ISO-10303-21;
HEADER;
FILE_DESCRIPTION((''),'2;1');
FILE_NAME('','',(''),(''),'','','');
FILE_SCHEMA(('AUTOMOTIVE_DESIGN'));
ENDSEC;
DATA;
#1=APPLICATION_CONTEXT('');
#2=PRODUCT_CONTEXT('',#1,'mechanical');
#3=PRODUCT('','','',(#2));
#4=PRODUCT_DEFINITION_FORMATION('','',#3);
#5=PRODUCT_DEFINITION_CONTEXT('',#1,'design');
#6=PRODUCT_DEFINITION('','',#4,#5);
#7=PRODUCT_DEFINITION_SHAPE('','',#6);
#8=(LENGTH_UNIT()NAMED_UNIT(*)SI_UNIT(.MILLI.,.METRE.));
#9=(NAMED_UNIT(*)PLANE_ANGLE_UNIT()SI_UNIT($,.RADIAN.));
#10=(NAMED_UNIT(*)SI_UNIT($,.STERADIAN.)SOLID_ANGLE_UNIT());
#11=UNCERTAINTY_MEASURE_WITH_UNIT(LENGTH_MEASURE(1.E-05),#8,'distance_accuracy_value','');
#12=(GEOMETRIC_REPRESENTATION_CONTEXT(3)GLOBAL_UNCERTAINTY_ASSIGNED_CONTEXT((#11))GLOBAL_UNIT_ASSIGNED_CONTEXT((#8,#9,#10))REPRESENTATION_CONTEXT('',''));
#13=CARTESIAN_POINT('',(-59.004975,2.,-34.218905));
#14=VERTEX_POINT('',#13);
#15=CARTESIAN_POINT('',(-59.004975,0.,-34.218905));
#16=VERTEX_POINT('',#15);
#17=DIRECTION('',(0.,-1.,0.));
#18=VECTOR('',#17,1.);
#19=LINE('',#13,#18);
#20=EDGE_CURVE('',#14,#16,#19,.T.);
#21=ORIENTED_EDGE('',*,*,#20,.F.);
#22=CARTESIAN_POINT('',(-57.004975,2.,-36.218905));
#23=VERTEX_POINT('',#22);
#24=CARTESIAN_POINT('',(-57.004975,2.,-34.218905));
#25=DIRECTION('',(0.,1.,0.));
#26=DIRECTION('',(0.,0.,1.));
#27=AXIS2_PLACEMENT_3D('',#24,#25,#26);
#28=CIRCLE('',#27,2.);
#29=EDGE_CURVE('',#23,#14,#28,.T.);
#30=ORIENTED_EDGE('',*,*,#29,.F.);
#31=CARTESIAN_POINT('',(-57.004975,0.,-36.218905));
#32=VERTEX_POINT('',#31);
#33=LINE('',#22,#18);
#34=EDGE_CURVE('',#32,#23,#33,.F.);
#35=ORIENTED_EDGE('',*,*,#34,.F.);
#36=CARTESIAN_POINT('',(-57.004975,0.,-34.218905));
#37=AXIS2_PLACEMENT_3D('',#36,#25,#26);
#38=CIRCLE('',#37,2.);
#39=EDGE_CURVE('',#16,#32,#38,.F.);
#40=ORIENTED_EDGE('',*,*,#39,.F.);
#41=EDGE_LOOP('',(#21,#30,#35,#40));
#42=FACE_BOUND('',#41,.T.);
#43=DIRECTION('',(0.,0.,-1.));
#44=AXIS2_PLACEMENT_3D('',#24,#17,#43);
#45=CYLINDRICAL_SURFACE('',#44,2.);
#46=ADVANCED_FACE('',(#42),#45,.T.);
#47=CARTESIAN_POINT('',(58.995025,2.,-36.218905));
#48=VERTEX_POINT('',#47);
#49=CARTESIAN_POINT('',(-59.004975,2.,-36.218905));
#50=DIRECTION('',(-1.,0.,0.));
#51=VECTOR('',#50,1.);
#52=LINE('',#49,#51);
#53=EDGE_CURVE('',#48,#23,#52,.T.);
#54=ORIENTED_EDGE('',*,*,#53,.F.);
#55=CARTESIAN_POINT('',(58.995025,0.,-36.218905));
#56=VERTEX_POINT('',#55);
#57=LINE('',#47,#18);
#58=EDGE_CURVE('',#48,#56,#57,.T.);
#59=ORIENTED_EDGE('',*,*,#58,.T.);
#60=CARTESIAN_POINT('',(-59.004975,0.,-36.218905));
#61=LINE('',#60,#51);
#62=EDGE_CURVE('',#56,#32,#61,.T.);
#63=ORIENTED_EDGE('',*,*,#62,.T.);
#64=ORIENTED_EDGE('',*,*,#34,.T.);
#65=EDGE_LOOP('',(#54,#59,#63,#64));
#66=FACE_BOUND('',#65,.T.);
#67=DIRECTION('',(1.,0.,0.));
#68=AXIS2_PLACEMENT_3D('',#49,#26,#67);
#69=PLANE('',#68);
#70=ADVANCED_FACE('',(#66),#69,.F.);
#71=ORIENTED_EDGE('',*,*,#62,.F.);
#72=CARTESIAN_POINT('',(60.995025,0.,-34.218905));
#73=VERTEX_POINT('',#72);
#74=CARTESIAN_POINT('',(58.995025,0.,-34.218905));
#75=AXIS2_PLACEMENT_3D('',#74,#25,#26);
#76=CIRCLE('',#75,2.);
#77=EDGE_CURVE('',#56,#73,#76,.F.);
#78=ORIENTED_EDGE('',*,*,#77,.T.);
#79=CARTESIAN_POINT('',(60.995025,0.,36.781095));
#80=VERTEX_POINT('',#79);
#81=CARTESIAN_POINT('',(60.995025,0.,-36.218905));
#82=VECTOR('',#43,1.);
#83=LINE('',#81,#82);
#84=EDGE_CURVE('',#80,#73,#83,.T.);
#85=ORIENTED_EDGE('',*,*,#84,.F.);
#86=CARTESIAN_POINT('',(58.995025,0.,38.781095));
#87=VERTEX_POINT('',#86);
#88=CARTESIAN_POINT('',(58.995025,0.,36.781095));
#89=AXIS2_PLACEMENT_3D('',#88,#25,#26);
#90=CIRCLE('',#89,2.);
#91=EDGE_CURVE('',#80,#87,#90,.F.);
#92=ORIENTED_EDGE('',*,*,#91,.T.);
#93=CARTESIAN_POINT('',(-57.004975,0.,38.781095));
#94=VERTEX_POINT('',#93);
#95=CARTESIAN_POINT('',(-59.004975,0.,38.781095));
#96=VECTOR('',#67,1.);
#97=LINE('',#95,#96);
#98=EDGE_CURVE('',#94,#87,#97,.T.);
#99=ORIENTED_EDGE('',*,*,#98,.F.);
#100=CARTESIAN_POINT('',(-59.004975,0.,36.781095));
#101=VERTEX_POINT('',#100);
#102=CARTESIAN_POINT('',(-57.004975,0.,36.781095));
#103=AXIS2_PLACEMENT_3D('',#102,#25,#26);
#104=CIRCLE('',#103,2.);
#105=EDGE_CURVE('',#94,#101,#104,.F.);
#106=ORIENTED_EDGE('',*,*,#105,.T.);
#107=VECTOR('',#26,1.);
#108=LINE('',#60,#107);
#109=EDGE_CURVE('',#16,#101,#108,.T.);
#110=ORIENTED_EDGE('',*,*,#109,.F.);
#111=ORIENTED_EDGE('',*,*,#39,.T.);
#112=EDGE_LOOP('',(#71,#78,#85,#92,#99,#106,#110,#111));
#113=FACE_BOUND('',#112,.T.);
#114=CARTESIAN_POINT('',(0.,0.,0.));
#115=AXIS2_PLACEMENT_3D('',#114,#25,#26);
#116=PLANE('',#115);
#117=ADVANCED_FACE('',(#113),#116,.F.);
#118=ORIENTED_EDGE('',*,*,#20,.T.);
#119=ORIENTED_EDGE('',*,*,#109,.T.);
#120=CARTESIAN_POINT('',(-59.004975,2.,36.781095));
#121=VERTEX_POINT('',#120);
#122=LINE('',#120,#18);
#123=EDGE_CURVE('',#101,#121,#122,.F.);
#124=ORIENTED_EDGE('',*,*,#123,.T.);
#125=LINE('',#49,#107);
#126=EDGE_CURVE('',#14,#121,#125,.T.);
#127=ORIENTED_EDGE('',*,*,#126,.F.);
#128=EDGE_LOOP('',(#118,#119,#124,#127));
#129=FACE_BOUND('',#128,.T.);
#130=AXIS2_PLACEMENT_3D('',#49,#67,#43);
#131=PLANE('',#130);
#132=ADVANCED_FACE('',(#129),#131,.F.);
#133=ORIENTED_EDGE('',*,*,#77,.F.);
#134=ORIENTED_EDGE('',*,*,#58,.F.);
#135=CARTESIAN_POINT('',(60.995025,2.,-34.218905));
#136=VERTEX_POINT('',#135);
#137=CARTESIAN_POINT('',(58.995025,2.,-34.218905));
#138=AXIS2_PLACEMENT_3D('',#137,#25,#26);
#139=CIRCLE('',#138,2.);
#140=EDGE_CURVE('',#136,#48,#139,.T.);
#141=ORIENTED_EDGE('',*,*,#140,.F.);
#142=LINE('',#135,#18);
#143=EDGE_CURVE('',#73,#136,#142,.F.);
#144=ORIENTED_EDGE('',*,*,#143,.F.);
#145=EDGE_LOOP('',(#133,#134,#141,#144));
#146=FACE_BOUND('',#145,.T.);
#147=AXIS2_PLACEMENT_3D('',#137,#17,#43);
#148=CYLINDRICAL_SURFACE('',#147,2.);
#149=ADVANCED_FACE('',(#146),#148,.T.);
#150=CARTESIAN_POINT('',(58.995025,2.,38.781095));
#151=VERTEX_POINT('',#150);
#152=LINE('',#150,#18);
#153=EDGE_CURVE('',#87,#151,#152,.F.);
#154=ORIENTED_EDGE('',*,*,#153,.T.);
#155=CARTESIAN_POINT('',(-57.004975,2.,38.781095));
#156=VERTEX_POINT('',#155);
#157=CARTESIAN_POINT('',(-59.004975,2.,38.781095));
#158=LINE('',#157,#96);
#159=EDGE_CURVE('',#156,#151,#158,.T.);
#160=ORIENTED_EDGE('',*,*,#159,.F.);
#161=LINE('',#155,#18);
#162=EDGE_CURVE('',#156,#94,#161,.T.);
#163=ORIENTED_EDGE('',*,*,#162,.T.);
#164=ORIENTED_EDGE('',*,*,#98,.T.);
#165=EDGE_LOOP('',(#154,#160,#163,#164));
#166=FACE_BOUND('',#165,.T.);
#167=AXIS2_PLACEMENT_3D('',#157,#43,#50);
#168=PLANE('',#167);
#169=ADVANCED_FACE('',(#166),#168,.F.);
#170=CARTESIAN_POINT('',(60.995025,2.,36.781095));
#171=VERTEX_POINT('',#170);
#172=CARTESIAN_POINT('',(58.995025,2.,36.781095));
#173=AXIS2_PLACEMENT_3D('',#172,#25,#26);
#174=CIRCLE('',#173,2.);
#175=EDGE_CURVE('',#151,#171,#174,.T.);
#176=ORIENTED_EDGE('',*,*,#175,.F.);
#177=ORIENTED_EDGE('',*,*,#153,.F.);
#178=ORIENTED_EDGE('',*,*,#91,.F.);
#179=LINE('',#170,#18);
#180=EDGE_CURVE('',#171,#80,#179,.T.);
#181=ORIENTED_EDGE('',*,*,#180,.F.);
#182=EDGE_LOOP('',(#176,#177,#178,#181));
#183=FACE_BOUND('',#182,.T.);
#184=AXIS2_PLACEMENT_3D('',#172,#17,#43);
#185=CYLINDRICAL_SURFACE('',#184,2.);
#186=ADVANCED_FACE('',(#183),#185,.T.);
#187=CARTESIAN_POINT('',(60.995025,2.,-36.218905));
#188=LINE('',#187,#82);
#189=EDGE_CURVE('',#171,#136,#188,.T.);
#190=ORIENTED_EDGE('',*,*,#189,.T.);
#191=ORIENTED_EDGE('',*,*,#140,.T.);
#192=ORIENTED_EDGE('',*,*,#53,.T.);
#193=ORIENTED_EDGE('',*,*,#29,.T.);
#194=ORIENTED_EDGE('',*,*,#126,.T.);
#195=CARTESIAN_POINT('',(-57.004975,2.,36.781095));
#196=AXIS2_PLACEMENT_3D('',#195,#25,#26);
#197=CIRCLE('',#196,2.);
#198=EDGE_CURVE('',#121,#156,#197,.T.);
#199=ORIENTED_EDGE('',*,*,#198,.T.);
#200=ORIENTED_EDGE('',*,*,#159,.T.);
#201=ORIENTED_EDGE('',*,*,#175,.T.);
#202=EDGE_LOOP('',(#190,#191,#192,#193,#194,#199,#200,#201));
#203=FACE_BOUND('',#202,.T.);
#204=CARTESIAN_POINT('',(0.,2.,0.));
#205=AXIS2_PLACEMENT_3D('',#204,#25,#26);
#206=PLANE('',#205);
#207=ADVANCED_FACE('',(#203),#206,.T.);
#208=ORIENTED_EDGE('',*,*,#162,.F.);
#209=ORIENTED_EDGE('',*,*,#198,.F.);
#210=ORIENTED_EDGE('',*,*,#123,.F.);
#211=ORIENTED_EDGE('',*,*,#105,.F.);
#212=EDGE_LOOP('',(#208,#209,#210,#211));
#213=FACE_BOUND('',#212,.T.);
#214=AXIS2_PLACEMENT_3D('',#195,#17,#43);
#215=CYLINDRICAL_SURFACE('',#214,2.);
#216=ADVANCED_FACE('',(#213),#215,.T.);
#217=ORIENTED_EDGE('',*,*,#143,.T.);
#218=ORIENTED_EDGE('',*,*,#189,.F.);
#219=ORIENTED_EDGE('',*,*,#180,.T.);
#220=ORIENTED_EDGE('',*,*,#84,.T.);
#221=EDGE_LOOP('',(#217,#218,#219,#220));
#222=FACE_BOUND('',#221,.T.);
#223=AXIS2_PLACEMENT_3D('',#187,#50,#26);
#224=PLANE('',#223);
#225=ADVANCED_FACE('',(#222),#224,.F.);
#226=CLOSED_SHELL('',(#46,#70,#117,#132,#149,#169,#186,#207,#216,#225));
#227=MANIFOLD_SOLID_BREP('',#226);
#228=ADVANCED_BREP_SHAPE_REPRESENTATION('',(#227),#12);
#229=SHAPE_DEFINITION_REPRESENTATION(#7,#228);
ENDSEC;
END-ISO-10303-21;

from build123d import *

# Parameters (mm, degrees)
SKETCH_1_W      = 120
SKETCH_1_H      = 75
EXTRUDE_1_DEPTH = 2
FILLET_1_R      = 2


with BuildPart() as part:
    # 草图1 → 凸台-拉伸1 (new body)
    with BuildSketch(Plane(origin=(0, 0, 0), x_dir=(1, 0, 0), z_dir=(0, 1, 0))):
        with Locations((0.995024876, -1.281094527)):
            Rectangle(SKETCH_1_W, SKETCH_1_H)
    extrude(amount=EXTRUDE_1_DEPTH)

    # 圆角1
    fillet_1_edges = [part.edges().sort_by_distance(p)[0] for p in [
        (-59.004975124, 1, -36.218905473),
        (60.995024876, 1, -36.218905473),
        (60.995024876, 1, 38.781094527),
        (-59.004975124, 1, 38.781094527),
    ]]
    fillet(fillet_1_edges, radius=FILLET_1_R)


solid = part.part
